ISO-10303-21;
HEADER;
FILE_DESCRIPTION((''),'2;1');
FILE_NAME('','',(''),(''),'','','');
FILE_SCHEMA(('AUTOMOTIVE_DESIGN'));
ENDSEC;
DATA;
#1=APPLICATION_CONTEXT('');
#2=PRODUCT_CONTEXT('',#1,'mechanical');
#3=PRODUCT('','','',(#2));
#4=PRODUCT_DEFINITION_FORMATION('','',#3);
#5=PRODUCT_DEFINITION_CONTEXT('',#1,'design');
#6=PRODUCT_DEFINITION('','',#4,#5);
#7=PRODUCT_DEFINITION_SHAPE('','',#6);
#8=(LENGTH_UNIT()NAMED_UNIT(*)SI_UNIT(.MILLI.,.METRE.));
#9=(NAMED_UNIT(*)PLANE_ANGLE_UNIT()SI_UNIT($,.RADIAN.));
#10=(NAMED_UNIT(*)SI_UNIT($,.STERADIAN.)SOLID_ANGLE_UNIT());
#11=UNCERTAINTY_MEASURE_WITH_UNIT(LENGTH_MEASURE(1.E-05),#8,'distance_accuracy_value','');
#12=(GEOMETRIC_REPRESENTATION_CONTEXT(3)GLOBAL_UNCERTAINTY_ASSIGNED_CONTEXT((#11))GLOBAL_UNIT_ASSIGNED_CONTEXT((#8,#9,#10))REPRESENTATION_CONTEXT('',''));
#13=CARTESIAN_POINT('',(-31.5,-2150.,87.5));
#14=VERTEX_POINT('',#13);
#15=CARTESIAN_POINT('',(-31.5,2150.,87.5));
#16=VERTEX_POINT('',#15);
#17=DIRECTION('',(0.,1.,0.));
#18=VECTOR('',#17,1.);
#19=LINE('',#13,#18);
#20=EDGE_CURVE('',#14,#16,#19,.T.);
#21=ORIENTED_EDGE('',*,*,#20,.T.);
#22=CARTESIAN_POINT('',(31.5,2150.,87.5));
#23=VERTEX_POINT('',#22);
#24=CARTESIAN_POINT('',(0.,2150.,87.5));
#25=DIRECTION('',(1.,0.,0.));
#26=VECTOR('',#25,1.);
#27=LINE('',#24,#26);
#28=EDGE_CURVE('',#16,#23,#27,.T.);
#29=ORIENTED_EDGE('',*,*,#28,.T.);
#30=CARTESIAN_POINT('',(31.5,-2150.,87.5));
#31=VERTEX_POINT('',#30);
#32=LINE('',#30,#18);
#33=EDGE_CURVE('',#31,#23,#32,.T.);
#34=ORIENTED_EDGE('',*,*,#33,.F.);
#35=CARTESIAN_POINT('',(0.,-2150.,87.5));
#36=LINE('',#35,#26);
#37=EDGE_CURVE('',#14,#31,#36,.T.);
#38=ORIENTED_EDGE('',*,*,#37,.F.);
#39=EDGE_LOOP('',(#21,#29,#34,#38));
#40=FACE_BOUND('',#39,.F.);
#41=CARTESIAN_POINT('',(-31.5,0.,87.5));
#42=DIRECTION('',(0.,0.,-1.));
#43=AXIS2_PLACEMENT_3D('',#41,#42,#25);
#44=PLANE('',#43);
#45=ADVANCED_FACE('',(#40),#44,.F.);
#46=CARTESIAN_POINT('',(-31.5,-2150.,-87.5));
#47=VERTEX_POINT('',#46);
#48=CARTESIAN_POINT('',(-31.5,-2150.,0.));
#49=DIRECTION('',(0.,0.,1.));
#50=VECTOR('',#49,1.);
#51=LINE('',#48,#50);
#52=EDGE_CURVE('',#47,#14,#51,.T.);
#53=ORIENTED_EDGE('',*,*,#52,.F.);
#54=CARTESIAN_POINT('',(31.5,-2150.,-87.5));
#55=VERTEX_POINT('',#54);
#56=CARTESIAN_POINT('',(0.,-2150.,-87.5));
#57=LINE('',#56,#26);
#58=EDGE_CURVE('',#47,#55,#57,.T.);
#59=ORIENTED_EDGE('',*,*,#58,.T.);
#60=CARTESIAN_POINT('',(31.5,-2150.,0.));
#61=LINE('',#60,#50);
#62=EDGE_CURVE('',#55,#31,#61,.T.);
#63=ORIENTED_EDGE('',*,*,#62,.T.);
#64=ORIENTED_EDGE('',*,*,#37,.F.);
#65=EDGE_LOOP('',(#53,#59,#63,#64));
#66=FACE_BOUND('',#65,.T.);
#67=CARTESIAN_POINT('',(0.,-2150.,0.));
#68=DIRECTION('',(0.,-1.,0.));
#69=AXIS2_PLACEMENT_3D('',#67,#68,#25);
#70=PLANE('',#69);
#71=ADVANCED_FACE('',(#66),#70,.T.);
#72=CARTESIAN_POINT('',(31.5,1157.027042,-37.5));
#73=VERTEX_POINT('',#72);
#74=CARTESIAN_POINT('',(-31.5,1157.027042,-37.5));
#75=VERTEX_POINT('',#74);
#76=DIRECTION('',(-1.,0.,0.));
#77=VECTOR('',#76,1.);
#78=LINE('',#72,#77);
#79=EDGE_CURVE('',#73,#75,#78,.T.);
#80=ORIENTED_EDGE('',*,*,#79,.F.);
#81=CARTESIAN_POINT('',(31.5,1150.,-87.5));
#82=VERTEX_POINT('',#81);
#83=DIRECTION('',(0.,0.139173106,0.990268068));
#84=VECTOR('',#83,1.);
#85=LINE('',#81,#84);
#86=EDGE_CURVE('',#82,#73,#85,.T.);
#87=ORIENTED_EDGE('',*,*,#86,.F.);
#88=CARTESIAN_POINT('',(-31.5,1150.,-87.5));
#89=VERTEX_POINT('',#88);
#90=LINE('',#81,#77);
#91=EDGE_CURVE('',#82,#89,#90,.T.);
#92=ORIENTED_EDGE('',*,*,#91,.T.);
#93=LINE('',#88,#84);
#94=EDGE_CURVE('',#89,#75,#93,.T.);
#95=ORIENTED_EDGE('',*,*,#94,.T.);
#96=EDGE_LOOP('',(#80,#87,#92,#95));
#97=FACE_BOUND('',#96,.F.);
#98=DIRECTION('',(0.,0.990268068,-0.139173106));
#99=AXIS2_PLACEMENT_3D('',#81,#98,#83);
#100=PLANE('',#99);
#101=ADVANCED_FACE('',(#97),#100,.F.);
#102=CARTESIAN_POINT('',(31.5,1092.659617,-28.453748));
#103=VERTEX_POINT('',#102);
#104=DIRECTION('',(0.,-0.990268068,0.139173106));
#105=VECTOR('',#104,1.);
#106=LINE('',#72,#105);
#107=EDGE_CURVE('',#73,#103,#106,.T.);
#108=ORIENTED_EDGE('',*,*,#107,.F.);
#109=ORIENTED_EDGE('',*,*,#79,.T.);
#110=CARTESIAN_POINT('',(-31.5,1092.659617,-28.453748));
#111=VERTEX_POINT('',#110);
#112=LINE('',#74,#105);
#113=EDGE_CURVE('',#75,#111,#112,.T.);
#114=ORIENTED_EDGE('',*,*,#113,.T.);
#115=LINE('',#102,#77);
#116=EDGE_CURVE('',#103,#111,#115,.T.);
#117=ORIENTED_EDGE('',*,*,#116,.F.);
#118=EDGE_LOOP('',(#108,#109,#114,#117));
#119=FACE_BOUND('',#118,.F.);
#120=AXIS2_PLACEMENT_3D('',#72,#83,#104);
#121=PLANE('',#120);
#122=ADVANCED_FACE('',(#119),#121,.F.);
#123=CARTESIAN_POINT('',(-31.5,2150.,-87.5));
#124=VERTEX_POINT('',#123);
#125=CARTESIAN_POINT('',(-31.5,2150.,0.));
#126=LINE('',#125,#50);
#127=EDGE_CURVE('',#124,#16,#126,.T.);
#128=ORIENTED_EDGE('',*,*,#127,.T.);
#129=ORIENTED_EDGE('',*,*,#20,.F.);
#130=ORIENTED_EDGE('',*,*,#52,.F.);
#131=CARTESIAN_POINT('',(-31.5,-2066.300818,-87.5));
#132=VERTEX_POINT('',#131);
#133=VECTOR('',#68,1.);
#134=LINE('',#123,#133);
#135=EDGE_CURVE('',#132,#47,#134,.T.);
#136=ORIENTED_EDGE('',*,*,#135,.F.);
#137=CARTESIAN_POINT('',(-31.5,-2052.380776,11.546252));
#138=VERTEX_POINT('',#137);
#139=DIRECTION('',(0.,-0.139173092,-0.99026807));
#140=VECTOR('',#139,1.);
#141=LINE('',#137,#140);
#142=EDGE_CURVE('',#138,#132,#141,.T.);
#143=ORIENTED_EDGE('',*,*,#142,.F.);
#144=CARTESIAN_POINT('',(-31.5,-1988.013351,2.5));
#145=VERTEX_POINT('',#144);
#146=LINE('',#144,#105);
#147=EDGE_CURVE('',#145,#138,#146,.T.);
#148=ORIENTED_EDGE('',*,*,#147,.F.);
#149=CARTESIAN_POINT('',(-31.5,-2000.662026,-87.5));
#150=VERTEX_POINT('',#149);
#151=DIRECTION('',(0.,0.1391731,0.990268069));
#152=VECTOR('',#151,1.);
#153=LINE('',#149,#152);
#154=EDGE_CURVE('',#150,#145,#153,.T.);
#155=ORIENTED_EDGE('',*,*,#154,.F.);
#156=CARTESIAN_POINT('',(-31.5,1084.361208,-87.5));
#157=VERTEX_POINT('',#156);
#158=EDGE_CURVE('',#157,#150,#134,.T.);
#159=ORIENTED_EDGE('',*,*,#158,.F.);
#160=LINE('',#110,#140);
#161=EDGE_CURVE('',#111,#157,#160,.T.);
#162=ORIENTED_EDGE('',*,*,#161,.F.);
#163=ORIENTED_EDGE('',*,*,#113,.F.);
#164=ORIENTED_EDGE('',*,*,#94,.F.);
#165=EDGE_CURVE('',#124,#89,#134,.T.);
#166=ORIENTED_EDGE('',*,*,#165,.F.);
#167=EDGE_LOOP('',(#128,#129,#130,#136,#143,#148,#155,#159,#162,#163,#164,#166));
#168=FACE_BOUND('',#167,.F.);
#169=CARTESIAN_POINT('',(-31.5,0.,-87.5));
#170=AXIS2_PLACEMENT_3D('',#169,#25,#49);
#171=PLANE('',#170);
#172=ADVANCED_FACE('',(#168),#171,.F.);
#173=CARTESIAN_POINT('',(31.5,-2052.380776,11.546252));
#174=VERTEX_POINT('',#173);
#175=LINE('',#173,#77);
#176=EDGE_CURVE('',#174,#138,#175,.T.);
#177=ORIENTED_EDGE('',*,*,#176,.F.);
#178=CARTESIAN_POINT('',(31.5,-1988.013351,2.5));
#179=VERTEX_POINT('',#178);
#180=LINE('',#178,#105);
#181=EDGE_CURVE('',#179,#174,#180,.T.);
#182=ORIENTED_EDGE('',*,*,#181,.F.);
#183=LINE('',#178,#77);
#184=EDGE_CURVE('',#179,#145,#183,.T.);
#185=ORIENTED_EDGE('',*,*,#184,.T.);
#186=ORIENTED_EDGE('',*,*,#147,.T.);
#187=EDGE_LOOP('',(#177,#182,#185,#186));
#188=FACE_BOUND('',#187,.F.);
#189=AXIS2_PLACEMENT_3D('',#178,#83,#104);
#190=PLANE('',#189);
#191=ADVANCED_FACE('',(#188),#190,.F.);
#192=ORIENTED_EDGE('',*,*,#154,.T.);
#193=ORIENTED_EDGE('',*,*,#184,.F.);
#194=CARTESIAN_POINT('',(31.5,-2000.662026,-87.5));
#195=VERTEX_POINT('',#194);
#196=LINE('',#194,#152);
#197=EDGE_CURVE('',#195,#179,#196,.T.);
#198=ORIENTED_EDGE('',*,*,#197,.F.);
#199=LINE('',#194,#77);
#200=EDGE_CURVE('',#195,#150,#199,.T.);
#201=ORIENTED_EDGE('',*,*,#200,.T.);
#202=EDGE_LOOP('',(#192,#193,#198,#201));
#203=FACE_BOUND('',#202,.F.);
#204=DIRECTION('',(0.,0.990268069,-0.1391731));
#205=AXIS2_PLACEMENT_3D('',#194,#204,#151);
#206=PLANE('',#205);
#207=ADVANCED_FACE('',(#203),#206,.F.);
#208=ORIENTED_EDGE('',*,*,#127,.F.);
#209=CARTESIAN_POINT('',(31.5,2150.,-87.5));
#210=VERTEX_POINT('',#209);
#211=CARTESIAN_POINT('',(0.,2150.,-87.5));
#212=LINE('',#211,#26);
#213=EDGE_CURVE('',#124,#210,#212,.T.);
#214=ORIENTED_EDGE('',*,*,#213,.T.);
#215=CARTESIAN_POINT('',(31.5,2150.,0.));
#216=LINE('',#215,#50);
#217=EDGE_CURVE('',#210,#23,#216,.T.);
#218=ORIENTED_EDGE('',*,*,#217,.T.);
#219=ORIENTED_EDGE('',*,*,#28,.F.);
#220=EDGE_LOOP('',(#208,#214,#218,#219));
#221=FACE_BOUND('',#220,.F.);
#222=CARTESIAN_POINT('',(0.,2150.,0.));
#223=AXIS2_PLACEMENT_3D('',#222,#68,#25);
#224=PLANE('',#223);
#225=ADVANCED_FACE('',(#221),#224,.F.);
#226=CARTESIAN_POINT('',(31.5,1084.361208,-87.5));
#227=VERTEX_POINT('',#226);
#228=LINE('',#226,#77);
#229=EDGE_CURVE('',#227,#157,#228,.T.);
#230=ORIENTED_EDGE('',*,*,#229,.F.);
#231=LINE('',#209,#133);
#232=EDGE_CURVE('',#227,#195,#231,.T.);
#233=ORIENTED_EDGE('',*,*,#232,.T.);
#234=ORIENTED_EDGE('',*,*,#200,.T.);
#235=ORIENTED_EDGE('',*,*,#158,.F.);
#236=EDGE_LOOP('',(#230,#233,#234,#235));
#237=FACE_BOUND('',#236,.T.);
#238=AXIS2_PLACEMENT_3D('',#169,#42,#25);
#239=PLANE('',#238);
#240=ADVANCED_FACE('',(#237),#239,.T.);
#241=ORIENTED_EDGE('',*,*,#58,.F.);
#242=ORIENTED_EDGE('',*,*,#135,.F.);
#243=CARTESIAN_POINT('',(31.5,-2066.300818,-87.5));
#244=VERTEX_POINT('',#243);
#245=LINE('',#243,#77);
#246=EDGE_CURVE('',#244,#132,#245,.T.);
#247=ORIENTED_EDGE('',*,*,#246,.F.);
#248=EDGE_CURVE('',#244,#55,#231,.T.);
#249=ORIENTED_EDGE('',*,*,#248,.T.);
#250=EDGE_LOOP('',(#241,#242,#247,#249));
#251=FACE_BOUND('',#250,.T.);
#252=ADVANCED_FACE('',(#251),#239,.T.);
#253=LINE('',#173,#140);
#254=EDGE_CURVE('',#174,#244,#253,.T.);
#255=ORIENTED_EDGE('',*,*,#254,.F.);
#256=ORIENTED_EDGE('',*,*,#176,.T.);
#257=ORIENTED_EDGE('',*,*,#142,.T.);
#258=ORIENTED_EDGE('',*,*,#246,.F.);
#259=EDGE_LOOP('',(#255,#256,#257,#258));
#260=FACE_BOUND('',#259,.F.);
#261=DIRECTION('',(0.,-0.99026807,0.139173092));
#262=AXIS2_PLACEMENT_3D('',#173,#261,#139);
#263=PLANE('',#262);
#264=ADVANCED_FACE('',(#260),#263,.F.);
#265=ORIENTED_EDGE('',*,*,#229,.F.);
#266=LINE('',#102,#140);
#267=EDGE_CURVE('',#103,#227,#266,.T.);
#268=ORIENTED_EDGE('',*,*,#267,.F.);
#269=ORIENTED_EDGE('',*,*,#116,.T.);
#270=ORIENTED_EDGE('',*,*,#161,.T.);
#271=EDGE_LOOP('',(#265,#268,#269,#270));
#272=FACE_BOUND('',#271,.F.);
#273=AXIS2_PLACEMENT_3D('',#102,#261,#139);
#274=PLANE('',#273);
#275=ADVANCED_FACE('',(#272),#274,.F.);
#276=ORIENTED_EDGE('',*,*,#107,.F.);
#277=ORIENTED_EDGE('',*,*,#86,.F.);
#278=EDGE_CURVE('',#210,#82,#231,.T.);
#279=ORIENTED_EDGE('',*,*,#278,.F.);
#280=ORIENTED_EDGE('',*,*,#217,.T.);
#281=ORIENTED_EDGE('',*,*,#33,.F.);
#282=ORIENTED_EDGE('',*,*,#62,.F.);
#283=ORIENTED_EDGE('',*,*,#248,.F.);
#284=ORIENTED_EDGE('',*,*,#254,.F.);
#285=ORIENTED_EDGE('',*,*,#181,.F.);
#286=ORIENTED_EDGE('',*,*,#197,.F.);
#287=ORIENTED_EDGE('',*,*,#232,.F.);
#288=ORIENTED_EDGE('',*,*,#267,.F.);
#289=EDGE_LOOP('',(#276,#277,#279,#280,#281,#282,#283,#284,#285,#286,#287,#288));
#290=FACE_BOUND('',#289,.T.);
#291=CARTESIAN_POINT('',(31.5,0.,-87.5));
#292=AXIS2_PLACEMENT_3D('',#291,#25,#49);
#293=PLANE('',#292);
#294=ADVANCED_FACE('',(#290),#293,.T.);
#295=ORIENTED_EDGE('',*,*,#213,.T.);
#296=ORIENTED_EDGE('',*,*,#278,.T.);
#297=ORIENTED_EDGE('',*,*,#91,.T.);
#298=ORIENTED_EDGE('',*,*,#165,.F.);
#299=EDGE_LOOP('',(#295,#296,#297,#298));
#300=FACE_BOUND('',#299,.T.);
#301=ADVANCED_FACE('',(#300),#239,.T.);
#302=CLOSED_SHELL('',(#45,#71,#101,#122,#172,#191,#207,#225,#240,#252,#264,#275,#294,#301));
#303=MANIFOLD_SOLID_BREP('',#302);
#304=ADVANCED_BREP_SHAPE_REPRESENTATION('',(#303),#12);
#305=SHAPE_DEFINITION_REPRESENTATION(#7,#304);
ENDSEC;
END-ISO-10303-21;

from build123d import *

# Parameters (mm, degrees)
F0_W     = 63
F0_H     = 175
F1_DEPTH = 2150
F3_DEPTH = 63


with BuildPart() as f1:
    # F0 (on Front) → F1 (new body, symmetric)
    with BuildSketch(Plane.XZ):
        Rectangle(F0_W, F0_H)
    extrude(amount=F1_DEPTH, both=True)

    # F2 (on face) → F3 (cut, through all)
    with BuildSketch(Plane.YZ.offset(31.5)):
        Polygon((1084.361208, -87.5), (1150, -87.5), (1157.027042, -37.5), (1092.659617, -28.453748), align=None)
        Polygon((-2066.300818, -87.5), (-2000.662026, -87.5), (-1988.013351, 2.5), (-2052.380776, 11.546252), align=None)
    extrude(amount=-F3_DEPTH, mode=Mode.SUBTRACT)


solid = f1.part
